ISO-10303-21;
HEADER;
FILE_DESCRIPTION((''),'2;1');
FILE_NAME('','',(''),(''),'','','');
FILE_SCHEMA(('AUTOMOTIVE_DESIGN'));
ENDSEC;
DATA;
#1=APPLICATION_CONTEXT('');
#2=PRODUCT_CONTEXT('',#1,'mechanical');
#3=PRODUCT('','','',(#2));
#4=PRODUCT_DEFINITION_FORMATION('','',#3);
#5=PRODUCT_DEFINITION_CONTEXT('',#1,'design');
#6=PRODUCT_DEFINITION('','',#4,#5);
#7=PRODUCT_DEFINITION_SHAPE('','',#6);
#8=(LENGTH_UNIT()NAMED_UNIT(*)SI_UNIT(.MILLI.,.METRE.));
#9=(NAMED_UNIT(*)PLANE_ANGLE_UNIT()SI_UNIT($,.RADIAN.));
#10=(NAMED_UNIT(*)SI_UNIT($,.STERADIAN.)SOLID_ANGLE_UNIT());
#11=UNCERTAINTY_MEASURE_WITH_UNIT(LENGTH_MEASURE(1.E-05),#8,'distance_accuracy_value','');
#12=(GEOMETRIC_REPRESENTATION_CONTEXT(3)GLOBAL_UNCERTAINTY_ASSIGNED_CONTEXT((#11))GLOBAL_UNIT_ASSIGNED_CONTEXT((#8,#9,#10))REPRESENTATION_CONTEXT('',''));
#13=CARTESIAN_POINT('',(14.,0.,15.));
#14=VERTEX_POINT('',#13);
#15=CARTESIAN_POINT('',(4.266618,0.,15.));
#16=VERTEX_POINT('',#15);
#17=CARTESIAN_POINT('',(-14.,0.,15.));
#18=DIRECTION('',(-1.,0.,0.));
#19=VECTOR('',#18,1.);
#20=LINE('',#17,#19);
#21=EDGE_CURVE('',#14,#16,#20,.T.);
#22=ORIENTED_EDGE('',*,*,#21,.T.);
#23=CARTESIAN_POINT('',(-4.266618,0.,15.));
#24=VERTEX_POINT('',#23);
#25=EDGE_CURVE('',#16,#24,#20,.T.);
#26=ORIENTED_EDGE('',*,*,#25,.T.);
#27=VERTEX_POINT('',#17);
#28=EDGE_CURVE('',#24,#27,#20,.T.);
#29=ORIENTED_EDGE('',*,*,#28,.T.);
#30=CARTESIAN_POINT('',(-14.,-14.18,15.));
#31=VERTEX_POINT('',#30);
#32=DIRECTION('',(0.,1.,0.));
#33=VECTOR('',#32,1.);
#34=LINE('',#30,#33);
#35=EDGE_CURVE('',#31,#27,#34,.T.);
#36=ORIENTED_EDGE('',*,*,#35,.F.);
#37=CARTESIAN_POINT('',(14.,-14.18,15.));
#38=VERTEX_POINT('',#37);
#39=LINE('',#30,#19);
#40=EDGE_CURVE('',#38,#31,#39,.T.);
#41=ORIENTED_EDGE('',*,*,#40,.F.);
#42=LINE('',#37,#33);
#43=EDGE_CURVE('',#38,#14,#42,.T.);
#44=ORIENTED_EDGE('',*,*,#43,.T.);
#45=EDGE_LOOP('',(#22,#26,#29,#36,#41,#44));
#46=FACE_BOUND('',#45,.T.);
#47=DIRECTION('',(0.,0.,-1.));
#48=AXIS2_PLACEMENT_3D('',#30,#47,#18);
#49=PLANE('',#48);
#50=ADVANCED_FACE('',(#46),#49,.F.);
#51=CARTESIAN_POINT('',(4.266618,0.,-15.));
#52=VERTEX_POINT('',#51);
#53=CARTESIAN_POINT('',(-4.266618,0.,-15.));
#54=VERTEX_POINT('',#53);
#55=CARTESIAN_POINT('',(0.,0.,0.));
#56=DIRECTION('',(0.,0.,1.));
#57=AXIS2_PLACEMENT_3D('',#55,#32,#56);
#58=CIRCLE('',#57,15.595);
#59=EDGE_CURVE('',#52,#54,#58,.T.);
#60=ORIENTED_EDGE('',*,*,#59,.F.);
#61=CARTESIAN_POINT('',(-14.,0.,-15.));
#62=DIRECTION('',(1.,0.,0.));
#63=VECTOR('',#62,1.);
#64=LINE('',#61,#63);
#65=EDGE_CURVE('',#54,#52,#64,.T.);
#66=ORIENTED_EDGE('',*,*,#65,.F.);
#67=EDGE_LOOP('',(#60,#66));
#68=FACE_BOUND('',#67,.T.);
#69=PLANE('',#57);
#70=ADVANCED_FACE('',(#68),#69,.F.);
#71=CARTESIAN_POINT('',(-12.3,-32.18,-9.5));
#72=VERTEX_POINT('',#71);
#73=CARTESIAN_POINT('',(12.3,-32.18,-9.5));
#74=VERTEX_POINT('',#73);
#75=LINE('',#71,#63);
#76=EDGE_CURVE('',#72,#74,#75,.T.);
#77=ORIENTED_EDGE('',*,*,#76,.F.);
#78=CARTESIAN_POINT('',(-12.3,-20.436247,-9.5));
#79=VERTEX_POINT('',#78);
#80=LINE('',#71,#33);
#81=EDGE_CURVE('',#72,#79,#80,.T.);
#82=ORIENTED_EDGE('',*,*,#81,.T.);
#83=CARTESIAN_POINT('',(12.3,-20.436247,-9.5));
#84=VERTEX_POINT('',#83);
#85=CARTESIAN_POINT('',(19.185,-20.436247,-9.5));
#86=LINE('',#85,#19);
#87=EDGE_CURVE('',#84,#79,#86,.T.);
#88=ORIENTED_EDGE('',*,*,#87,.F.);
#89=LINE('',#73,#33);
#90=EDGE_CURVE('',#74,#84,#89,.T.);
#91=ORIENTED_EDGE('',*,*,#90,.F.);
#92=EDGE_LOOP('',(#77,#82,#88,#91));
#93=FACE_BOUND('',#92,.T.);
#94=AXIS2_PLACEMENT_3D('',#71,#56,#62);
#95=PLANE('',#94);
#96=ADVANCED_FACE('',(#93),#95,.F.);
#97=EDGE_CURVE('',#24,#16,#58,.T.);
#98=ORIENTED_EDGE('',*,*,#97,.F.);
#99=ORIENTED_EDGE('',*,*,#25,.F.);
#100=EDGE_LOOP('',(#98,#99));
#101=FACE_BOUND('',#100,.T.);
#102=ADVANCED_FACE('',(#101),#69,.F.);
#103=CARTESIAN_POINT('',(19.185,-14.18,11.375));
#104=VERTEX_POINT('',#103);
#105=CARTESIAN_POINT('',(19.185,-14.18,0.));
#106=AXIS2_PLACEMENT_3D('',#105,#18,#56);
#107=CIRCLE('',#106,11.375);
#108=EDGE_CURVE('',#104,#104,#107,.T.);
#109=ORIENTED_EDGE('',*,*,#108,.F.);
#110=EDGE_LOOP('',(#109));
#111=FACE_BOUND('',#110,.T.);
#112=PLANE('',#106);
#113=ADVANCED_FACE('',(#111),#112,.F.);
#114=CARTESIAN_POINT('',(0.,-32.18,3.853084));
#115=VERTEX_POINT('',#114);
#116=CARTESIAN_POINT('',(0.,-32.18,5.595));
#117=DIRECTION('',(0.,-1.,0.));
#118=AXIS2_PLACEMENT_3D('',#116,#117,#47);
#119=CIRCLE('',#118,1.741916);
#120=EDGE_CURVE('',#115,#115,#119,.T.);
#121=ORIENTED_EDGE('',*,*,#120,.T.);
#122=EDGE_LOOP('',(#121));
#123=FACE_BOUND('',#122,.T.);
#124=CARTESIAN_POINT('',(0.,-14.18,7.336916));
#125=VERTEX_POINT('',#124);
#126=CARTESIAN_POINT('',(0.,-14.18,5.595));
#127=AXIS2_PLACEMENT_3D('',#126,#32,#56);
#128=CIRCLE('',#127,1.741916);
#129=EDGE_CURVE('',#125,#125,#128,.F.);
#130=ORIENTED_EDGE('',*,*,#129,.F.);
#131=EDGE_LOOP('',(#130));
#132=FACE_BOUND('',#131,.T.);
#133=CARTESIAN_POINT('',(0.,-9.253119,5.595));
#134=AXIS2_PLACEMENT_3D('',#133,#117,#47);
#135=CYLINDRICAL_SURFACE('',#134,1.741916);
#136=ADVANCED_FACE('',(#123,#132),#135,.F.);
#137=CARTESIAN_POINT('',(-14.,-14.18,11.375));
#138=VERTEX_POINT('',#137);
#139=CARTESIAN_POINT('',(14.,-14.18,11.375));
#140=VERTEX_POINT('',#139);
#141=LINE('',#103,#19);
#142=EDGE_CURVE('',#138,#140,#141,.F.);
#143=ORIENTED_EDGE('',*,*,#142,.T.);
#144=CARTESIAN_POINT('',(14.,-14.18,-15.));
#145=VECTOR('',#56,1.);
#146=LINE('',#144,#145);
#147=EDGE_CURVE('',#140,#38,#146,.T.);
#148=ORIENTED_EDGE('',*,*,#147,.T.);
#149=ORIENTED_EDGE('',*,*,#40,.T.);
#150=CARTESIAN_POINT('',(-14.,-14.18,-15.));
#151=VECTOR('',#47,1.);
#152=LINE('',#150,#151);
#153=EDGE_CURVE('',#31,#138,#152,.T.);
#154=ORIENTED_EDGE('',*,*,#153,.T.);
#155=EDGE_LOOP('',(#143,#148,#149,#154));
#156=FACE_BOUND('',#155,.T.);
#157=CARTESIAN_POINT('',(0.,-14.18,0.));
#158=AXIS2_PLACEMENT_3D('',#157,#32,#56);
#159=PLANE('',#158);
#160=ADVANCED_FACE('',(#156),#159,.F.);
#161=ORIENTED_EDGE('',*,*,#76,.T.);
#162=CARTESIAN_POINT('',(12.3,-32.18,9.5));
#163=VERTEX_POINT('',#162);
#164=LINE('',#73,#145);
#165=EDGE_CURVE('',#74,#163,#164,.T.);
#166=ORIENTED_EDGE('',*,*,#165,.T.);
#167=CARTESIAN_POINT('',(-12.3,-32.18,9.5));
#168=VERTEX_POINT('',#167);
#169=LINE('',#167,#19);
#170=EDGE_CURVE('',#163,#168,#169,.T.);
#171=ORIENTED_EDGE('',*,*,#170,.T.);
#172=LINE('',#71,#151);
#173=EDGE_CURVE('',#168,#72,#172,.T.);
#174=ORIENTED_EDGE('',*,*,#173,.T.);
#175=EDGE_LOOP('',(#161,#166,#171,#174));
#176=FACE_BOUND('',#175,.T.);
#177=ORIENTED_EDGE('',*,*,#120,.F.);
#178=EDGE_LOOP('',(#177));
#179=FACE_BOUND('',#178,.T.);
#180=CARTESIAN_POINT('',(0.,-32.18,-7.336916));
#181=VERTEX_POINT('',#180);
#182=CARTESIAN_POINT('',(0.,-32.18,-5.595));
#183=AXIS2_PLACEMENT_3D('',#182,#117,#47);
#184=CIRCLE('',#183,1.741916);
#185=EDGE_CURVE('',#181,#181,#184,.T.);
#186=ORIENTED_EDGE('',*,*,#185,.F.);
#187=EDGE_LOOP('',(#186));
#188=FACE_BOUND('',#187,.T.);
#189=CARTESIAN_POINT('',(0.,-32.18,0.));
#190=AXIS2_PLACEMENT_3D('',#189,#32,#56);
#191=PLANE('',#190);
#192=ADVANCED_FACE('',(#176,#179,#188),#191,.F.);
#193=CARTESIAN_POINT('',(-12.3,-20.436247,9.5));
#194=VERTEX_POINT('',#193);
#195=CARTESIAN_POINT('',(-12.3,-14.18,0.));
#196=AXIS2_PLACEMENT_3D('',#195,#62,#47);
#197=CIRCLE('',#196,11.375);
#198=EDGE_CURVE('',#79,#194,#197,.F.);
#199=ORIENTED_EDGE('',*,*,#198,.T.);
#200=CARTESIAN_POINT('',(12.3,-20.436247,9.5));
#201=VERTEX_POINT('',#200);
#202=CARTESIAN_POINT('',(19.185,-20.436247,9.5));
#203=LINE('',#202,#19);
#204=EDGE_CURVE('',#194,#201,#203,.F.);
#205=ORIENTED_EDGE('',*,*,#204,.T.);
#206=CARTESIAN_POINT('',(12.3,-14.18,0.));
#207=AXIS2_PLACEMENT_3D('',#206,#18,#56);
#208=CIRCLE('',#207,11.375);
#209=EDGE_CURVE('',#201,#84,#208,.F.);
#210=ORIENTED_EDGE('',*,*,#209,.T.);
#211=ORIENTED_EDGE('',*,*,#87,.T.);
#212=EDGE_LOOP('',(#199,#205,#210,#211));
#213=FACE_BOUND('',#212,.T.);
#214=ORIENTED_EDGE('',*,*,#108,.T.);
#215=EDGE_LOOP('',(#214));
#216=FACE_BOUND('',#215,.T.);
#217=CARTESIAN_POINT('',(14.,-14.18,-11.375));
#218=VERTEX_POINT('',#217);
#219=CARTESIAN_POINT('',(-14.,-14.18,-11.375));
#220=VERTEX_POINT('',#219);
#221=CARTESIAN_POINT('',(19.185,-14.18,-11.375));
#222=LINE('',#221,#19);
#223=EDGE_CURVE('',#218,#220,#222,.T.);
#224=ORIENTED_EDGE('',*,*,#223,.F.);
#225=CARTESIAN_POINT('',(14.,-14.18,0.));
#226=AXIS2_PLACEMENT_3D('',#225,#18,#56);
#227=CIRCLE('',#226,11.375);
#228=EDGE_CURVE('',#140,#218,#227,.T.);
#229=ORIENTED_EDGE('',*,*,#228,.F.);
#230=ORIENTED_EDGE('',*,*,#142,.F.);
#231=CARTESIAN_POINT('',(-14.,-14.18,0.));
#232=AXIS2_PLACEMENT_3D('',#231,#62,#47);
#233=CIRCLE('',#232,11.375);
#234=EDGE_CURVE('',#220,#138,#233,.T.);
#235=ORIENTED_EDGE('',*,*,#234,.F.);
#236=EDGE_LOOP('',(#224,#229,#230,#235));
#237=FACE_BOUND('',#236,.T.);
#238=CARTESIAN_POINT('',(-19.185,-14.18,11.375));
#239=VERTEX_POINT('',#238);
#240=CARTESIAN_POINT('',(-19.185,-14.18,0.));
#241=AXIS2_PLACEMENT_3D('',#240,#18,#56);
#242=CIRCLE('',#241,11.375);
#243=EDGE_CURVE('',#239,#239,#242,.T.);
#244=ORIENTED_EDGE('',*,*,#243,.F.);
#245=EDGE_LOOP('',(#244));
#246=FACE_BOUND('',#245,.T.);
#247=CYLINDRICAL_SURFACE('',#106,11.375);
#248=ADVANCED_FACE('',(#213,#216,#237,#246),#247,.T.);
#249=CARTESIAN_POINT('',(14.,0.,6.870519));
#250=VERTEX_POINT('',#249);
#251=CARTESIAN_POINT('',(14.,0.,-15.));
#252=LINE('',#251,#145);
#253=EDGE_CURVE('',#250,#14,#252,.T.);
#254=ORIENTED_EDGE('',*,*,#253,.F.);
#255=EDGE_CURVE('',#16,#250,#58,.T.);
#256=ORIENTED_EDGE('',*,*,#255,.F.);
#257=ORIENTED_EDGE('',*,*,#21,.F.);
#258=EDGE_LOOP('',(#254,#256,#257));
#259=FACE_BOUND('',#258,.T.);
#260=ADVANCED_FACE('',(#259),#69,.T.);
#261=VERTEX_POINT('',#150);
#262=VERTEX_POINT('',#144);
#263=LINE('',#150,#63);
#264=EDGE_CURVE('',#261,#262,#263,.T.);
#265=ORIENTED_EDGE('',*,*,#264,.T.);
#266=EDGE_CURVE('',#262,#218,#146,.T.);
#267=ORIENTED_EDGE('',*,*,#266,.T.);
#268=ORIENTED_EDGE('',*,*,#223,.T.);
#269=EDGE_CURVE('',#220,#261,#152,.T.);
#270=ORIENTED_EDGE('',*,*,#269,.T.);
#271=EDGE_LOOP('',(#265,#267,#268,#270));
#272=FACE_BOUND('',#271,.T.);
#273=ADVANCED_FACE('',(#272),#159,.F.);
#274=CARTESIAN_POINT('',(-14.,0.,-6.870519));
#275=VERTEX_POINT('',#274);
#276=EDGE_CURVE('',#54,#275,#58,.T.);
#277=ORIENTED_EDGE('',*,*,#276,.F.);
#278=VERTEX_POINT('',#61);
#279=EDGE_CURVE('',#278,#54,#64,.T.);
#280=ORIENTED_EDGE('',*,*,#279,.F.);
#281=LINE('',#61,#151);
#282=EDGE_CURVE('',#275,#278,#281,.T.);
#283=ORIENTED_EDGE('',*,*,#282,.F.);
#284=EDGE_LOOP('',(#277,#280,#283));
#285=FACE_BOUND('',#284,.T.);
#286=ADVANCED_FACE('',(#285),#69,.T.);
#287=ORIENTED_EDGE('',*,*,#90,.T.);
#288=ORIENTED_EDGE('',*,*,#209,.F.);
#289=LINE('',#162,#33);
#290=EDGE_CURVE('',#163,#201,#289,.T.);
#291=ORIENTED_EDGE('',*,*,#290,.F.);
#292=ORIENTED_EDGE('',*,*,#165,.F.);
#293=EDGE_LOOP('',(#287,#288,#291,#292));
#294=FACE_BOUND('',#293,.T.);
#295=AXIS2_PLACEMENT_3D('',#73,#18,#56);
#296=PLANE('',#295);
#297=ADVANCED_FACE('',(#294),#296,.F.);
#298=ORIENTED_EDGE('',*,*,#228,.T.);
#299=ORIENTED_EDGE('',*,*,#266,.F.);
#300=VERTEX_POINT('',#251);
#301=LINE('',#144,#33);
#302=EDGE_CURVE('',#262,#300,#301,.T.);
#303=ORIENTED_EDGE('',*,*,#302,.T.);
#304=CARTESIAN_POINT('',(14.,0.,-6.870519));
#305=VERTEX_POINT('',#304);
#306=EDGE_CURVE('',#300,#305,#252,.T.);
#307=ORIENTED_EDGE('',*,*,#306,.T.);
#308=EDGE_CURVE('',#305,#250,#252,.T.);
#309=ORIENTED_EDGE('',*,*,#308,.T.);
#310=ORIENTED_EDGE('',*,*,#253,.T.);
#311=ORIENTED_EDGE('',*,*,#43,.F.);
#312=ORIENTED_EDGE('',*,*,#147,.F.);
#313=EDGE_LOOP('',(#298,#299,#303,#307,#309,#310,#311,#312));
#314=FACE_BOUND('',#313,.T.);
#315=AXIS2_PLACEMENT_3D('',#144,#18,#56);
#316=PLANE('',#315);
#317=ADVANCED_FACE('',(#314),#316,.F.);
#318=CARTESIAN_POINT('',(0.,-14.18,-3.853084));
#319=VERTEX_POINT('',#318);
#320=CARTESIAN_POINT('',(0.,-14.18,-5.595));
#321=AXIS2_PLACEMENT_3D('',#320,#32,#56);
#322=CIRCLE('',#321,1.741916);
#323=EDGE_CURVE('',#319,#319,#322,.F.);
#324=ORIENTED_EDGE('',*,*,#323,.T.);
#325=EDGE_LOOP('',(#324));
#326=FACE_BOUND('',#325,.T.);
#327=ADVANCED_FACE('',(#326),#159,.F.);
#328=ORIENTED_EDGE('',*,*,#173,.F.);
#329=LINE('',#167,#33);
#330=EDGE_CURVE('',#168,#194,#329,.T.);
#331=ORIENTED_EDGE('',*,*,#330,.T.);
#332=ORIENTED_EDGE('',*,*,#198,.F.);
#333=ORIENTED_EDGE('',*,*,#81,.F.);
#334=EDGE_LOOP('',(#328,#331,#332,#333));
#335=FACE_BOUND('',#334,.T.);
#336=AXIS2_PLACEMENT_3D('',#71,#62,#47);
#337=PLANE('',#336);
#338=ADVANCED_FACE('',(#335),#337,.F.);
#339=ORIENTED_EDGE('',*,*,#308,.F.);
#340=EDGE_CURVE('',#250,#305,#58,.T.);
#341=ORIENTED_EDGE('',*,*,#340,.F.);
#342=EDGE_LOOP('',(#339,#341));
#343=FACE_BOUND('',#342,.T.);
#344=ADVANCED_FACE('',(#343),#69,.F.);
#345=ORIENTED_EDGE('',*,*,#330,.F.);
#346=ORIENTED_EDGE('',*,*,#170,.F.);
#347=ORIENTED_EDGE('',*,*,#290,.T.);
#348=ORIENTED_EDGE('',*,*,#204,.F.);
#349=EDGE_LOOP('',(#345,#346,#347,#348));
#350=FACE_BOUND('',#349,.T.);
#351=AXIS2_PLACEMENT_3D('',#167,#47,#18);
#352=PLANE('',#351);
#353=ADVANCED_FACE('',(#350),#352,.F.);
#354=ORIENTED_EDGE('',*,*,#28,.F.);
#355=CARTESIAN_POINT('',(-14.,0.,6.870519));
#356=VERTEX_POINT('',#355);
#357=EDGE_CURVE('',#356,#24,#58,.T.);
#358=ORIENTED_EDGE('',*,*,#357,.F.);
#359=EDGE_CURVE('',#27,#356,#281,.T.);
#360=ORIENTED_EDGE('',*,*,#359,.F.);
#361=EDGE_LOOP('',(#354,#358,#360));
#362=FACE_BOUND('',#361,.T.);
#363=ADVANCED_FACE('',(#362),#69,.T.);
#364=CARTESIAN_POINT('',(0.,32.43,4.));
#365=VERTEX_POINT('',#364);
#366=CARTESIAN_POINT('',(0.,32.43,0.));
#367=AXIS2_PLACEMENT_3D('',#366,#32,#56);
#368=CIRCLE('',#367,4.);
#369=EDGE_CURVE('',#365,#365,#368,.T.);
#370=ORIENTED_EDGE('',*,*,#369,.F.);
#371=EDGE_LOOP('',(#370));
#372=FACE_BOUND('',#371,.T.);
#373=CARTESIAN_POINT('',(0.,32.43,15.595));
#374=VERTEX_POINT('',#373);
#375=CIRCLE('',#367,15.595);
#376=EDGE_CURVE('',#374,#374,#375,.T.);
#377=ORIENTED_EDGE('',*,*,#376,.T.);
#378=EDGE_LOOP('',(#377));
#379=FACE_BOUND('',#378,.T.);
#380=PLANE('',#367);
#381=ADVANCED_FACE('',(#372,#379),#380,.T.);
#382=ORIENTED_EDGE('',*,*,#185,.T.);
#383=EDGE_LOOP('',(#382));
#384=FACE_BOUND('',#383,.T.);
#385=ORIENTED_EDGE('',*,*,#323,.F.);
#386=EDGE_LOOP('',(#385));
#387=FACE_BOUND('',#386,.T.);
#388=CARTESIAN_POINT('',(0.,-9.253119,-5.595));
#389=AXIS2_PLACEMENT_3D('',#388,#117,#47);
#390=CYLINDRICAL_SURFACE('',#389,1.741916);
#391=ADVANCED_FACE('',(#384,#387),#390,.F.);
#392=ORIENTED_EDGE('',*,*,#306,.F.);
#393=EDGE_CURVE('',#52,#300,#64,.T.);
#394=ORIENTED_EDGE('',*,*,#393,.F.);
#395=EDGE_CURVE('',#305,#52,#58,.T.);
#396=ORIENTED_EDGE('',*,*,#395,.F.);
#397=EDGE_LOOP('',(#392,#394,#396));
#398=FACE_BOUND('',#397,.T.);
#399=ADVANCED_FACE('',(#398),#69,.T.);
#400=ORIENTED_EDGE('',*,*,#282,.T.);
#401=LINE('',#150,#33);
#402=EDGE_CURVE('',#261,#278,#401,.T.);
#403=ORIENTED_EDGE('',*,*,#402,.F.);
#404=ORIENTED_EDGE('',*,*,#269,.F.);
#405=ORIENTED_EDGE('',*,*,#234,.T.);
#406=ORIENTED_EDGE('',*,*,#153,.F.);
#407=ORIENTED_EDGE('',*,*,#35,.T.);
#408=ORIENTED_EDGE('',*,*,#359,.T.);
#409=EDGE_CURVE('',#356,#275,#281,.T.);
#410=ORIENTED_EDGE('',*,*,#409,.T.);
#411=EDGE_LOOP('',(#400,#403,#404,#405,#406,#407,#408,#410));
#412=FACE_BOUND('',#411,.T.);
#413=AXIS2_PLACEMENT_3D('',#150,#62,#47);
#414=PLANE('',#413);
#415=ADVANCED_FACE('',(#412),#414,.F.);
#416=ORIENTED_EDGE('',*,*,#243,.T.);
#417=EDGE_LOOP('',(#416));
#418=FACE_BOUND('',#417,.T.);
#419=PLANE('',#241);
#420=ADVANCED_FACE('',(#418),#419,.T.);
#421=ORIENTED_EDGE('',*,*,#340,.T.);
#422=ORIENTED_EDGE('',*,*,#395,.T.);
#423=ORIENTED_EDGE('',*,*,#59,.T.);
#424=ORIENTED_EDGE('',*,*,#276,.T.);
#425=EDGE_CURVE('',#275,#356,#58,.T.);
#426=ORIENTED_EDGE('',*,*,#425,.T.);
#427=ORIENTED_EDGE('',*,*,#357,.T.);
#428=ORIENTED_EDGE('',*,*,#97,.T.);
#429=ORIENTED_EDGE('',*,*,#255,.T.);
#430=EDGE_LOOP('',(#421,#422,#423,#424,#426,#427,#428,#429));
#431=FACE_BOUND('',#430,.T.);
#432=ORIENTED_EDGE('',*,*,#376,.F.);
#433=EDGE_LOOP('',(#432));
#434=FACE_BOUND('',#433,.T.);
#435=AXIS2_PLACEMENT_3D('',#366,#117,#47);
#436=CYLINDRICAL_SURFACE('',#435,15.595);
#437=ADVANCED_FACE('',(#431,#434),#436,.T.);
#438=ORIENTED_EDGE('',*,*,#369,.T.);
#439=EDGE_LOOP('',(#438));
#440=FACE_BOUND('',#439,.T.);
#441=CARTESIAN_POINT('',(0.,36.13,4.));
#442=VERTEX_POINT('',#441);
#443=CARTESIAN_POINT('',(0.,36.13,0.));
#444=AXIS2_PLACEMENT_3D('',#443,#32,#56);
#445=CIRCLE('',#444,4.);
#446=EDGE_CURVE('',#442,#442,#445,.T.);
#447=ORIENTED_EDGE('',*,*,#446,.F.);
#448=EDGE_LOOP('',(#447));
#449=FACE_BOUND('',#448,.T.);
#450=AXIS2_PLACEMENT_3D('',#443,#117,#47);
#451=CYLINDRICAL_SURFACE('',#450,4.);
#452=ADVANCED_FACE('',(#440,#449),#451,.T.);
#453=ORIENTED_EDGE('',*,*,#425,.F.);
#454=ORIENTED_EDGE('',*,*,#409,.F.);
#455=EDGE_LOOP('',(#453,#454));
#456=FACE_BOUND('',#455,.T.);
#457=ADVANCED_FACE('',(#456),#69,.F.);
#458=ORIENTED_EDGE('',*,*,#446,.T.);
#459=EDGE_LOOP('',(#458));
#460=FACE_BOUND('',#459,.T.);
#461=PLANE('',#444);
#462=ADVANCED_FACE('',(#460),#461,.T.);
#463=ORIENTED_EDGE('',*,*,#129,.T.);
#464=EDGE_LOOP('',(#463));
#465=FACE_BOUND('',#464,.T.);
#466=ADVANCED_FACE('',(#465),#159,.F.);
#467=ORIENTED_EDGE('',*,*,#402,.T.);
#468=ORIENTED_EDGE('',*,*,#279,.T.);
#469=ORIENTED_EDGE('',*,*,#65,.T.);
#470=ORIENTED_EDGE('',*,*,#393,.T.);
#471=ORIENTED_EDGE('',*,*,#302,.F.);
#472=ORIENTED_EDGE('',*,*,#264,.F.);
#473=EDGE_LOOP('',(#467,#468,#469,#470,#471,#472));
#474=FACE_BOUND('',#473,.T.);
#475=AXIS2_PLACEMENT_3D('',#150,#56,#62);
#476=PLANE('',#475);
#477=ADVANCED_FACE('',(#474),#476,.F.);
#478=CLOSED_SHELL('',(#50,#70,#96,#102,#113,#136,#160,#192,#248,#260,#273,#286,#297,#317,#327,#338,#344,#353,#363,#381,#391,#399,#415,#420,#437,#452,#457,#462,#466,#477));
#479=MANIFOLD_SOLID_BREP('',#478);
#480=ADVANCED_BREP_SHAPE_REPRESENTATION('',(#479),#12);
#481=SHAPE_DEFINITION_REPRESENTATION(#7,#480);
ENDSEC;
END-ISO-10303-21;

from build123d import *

# Parameters (mm, degrees)
SKETCH1_R                = 15.595
BOSS_EXTRUDE1_DEPTH      = 32.43
SKETCH2_R                = 4
BOSS_EXTRUDE2_DEPTH      = 3.7
SKETCH3_W                = 28
SKETCH3_H                = 30
BOSS_EXTRUDE3_DEPTH      = 14.18
SKETCH5_R                = 11.375
BOSS_EXTRUDE4_DEPTH      = 19.185
BOSS_EXTRUDE4_DEPTH_BACK = 19.185
SKETCH7_W                = 24.6
SKETCH7_H                = 19
BOSS_EXTRUDE5_DEPTH      = 18
SKETCH8_R                = 1.74191559
CUT_EXTRUDE1_DEPTH       = 18


with BuildPart() as part:
    # Sketch1 → Boss-Extrude1 (new body)
    with BuildSketch(Plane(origin=(0, 0, 0), x_dir=(1, 0, 0), z_dir=(0, 1, 0))):
        Circle(SKETCH1_R)
    extrude(amount=BOSS_EXTRUDE1_DEPTH)

    # Sketch2 → Boss-Extrude2 (add)
    with BuildSketch(Plane(origin=(0, 32.43, 0), x_dir=(1, 0, 0), z_dir=(0, 1, 0))):
        Circle(SKETCH2_R)
    extrude(amount=BOSS_EXTRUDE2_DEPTH)

    # Sketch3 → Boss-Extrude3 (add)
    with BuildSketch(Plane.XZ):
        Rectangle(SKETCH3_W, SKETCH3_H)
    extrude(amount=BOSS_EXTRUDE3_DEPTH)

    # Sketch5 → Boss-Extrude4 (add, two sides)
    with BuildSketch(Plane.ZY) as boss_extrude4_sk:
        with Locations((0, -14.18)):
            Circle(SKETCH5_R)
    extrude(amount=BOSS_EXTRUDE4_DEPTH)
    extrude(boss_extrude4_sk.sketch, amount=-BOSS_EXTRUDE4_DEPTH_BACK)

    # Sketch7 → Boss-Extrude5 (add)
    with BuildSketch(Plane.XZ.offset(14.18)):
        Rectangle(SKETCH7_W, SKETCH7_H)
    extrude(amount=BOSS_EXTRUDE5_DEPTH)

    # Sketch8 → Cut-Extrude1 (cut)
    with BuildSketch(Plane.XZ.offset(32.18)):
        with Locations((0, 5.595)):
            Circle(SKETCH8_R)
        with Locations((0, -5.595)):
            Circle(SKETCH8_R)
    extrude(amount=-CUT_EXTRUDE1_DEPTH, mode=Mode.SUBTRACT)


solid = part.part
